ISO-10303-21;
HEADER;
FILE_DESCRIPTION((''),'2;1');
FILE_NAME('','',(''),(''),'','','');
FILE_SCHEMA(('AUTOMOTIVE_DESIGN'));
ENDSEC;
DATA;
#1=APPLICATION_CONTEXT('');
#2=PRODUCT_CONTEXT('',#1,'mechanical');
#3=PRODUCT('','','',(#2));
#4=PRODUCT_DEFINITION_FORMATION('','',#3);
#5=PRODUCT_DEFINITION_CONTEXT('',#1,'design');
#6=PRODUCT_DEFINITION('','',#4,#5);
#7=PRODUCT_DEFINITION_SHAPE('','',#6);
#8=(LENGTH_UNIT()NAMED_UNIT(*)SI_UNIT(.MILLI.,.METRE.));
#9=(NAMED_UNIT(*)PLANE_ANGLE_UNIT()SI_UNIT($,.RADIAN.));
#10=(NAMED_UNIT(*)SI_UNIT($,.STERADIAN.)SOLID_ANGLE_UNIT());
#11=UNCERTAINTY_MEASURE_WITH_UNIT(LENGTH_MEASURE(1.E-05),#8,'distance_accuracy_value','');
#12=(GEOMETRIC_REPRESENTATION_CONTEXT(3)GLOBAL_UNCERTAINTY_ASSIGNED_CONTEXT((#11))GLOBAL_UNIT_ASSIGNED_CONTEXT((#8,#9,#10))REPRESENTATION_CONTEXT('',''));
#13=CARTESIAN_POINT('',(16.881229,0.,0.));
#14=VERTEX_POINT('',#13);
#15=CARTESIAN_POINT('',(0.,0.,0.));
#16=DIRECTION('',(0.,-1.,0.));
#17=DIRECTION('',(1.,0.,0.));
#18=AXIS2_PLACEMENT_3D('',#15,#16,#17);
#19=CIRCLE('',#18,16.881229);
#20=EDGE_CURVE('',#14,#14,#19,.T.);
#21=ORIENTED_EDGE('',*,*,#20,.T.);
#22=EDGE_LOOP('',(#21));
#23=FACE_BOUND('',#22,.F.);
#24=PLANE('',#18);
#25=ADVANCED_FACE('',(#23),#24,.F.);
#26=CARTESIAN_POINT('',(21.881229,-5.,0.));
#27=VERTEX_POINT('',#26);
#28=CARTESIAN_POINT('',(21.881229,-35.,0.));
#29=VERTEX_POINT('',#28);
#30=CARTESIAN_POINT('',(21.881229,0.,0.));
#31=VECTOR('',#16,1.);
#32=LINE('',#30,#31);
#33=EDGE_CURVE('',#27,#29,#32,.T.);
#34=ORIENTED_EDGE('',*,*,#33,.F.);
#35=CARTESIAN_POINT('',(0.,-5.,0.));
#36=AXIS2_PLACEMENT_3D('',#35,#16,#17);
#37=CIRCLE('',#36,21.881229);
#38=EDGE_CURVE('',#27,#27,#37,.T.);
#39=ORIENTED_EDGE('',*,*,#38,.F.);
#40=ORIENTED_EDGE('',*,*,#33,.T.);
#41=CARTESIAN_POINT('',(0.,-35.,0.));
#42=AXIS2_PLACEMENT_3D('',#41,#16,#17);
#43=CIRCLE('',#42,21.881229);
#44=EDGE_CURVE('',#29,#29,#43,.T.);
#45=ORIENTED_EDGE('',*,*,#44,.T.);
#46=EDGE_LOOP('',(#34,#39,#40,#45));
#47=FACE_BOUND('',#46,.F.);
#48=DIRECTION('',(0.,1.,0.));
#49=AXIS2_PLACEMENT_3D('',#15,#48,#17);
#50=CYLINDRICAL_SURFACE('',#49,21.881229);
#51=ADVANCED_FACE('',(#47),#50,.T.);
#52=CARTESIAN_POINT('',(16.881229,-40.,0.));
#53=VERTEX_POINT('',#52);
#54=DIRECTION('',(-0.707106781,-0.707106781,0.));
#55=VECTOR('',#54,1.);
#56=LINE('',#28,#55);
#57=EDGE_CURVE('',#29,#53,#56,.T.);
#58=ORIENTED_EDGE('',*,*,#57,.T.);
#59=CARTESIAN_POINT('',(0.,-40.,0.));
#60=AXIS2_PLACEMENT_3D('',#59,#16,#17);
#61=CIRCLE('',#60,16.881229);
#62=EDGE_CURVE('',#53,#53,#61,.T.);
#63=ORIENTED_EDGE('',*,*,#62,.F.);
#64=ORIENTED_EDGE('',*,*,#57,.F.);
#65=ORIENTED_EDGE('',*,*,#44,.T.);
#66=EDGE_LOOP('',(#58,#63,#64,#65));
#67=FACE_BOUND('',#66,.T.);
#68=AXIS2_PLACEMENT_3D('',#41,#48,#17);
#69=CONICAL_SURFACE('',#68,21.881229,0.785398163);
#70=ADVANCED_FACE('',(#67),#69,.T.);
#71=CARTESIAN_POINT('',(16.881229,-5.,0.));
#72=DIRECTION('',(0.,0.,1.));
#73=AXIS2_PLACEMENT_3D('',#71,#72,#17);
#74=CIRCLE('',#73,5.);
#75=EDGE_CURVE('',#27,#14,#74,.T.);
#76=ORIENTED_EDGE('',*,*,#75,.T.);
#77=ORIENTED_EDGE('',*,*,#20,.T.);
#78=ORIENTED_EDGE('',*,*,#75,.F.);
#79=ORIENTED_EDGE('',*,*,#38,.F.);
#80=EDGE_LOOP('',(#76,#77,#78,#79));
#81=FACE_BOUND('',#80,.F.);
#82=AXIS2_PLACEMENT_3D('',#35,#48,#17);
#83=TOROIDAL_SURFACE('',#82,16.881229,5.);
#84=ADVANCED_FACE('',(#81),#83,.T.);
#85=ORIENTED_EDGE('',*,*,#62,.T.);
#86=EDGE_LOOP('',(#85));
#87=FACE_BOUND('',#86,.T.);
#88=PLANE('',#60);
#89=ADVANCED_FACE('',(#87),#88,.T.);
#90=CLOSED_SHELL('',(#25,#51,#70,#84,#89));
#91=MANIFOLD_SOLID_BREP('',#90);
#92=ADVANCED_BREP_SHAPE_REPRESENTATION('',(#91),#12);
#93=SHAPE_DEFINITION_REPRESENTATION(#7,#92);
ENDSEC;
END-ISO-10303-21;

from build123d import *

# Parameters (mm, degrees)
F0_R     = 21.881229
F1_DEPTH = 40
F2_SIZE  = 5
F3_R     = 5


with BuildPart() as f1:
    # F0 (on Front) → F1 (new body)
    with BuildSketch(Plane.XZ):
        Circle(F0_R)
    extrude(amount=F1_DEPTH)

    # F2
    f2_edges = [f1.edges().sort_by_distance(p)[0] for p in [
        (-21.881229, -40, 0),
    ]]
    chamfer(f2_edges, length=F2_SIZE)

    # F3
    f3_edges = [f1.edges().sort_by_distance(p)[0] for p in [
        (-21.881229, 0, 0),
    ]]
    fillet(f3_edges, radius=F3_R)


solid = f1.part
